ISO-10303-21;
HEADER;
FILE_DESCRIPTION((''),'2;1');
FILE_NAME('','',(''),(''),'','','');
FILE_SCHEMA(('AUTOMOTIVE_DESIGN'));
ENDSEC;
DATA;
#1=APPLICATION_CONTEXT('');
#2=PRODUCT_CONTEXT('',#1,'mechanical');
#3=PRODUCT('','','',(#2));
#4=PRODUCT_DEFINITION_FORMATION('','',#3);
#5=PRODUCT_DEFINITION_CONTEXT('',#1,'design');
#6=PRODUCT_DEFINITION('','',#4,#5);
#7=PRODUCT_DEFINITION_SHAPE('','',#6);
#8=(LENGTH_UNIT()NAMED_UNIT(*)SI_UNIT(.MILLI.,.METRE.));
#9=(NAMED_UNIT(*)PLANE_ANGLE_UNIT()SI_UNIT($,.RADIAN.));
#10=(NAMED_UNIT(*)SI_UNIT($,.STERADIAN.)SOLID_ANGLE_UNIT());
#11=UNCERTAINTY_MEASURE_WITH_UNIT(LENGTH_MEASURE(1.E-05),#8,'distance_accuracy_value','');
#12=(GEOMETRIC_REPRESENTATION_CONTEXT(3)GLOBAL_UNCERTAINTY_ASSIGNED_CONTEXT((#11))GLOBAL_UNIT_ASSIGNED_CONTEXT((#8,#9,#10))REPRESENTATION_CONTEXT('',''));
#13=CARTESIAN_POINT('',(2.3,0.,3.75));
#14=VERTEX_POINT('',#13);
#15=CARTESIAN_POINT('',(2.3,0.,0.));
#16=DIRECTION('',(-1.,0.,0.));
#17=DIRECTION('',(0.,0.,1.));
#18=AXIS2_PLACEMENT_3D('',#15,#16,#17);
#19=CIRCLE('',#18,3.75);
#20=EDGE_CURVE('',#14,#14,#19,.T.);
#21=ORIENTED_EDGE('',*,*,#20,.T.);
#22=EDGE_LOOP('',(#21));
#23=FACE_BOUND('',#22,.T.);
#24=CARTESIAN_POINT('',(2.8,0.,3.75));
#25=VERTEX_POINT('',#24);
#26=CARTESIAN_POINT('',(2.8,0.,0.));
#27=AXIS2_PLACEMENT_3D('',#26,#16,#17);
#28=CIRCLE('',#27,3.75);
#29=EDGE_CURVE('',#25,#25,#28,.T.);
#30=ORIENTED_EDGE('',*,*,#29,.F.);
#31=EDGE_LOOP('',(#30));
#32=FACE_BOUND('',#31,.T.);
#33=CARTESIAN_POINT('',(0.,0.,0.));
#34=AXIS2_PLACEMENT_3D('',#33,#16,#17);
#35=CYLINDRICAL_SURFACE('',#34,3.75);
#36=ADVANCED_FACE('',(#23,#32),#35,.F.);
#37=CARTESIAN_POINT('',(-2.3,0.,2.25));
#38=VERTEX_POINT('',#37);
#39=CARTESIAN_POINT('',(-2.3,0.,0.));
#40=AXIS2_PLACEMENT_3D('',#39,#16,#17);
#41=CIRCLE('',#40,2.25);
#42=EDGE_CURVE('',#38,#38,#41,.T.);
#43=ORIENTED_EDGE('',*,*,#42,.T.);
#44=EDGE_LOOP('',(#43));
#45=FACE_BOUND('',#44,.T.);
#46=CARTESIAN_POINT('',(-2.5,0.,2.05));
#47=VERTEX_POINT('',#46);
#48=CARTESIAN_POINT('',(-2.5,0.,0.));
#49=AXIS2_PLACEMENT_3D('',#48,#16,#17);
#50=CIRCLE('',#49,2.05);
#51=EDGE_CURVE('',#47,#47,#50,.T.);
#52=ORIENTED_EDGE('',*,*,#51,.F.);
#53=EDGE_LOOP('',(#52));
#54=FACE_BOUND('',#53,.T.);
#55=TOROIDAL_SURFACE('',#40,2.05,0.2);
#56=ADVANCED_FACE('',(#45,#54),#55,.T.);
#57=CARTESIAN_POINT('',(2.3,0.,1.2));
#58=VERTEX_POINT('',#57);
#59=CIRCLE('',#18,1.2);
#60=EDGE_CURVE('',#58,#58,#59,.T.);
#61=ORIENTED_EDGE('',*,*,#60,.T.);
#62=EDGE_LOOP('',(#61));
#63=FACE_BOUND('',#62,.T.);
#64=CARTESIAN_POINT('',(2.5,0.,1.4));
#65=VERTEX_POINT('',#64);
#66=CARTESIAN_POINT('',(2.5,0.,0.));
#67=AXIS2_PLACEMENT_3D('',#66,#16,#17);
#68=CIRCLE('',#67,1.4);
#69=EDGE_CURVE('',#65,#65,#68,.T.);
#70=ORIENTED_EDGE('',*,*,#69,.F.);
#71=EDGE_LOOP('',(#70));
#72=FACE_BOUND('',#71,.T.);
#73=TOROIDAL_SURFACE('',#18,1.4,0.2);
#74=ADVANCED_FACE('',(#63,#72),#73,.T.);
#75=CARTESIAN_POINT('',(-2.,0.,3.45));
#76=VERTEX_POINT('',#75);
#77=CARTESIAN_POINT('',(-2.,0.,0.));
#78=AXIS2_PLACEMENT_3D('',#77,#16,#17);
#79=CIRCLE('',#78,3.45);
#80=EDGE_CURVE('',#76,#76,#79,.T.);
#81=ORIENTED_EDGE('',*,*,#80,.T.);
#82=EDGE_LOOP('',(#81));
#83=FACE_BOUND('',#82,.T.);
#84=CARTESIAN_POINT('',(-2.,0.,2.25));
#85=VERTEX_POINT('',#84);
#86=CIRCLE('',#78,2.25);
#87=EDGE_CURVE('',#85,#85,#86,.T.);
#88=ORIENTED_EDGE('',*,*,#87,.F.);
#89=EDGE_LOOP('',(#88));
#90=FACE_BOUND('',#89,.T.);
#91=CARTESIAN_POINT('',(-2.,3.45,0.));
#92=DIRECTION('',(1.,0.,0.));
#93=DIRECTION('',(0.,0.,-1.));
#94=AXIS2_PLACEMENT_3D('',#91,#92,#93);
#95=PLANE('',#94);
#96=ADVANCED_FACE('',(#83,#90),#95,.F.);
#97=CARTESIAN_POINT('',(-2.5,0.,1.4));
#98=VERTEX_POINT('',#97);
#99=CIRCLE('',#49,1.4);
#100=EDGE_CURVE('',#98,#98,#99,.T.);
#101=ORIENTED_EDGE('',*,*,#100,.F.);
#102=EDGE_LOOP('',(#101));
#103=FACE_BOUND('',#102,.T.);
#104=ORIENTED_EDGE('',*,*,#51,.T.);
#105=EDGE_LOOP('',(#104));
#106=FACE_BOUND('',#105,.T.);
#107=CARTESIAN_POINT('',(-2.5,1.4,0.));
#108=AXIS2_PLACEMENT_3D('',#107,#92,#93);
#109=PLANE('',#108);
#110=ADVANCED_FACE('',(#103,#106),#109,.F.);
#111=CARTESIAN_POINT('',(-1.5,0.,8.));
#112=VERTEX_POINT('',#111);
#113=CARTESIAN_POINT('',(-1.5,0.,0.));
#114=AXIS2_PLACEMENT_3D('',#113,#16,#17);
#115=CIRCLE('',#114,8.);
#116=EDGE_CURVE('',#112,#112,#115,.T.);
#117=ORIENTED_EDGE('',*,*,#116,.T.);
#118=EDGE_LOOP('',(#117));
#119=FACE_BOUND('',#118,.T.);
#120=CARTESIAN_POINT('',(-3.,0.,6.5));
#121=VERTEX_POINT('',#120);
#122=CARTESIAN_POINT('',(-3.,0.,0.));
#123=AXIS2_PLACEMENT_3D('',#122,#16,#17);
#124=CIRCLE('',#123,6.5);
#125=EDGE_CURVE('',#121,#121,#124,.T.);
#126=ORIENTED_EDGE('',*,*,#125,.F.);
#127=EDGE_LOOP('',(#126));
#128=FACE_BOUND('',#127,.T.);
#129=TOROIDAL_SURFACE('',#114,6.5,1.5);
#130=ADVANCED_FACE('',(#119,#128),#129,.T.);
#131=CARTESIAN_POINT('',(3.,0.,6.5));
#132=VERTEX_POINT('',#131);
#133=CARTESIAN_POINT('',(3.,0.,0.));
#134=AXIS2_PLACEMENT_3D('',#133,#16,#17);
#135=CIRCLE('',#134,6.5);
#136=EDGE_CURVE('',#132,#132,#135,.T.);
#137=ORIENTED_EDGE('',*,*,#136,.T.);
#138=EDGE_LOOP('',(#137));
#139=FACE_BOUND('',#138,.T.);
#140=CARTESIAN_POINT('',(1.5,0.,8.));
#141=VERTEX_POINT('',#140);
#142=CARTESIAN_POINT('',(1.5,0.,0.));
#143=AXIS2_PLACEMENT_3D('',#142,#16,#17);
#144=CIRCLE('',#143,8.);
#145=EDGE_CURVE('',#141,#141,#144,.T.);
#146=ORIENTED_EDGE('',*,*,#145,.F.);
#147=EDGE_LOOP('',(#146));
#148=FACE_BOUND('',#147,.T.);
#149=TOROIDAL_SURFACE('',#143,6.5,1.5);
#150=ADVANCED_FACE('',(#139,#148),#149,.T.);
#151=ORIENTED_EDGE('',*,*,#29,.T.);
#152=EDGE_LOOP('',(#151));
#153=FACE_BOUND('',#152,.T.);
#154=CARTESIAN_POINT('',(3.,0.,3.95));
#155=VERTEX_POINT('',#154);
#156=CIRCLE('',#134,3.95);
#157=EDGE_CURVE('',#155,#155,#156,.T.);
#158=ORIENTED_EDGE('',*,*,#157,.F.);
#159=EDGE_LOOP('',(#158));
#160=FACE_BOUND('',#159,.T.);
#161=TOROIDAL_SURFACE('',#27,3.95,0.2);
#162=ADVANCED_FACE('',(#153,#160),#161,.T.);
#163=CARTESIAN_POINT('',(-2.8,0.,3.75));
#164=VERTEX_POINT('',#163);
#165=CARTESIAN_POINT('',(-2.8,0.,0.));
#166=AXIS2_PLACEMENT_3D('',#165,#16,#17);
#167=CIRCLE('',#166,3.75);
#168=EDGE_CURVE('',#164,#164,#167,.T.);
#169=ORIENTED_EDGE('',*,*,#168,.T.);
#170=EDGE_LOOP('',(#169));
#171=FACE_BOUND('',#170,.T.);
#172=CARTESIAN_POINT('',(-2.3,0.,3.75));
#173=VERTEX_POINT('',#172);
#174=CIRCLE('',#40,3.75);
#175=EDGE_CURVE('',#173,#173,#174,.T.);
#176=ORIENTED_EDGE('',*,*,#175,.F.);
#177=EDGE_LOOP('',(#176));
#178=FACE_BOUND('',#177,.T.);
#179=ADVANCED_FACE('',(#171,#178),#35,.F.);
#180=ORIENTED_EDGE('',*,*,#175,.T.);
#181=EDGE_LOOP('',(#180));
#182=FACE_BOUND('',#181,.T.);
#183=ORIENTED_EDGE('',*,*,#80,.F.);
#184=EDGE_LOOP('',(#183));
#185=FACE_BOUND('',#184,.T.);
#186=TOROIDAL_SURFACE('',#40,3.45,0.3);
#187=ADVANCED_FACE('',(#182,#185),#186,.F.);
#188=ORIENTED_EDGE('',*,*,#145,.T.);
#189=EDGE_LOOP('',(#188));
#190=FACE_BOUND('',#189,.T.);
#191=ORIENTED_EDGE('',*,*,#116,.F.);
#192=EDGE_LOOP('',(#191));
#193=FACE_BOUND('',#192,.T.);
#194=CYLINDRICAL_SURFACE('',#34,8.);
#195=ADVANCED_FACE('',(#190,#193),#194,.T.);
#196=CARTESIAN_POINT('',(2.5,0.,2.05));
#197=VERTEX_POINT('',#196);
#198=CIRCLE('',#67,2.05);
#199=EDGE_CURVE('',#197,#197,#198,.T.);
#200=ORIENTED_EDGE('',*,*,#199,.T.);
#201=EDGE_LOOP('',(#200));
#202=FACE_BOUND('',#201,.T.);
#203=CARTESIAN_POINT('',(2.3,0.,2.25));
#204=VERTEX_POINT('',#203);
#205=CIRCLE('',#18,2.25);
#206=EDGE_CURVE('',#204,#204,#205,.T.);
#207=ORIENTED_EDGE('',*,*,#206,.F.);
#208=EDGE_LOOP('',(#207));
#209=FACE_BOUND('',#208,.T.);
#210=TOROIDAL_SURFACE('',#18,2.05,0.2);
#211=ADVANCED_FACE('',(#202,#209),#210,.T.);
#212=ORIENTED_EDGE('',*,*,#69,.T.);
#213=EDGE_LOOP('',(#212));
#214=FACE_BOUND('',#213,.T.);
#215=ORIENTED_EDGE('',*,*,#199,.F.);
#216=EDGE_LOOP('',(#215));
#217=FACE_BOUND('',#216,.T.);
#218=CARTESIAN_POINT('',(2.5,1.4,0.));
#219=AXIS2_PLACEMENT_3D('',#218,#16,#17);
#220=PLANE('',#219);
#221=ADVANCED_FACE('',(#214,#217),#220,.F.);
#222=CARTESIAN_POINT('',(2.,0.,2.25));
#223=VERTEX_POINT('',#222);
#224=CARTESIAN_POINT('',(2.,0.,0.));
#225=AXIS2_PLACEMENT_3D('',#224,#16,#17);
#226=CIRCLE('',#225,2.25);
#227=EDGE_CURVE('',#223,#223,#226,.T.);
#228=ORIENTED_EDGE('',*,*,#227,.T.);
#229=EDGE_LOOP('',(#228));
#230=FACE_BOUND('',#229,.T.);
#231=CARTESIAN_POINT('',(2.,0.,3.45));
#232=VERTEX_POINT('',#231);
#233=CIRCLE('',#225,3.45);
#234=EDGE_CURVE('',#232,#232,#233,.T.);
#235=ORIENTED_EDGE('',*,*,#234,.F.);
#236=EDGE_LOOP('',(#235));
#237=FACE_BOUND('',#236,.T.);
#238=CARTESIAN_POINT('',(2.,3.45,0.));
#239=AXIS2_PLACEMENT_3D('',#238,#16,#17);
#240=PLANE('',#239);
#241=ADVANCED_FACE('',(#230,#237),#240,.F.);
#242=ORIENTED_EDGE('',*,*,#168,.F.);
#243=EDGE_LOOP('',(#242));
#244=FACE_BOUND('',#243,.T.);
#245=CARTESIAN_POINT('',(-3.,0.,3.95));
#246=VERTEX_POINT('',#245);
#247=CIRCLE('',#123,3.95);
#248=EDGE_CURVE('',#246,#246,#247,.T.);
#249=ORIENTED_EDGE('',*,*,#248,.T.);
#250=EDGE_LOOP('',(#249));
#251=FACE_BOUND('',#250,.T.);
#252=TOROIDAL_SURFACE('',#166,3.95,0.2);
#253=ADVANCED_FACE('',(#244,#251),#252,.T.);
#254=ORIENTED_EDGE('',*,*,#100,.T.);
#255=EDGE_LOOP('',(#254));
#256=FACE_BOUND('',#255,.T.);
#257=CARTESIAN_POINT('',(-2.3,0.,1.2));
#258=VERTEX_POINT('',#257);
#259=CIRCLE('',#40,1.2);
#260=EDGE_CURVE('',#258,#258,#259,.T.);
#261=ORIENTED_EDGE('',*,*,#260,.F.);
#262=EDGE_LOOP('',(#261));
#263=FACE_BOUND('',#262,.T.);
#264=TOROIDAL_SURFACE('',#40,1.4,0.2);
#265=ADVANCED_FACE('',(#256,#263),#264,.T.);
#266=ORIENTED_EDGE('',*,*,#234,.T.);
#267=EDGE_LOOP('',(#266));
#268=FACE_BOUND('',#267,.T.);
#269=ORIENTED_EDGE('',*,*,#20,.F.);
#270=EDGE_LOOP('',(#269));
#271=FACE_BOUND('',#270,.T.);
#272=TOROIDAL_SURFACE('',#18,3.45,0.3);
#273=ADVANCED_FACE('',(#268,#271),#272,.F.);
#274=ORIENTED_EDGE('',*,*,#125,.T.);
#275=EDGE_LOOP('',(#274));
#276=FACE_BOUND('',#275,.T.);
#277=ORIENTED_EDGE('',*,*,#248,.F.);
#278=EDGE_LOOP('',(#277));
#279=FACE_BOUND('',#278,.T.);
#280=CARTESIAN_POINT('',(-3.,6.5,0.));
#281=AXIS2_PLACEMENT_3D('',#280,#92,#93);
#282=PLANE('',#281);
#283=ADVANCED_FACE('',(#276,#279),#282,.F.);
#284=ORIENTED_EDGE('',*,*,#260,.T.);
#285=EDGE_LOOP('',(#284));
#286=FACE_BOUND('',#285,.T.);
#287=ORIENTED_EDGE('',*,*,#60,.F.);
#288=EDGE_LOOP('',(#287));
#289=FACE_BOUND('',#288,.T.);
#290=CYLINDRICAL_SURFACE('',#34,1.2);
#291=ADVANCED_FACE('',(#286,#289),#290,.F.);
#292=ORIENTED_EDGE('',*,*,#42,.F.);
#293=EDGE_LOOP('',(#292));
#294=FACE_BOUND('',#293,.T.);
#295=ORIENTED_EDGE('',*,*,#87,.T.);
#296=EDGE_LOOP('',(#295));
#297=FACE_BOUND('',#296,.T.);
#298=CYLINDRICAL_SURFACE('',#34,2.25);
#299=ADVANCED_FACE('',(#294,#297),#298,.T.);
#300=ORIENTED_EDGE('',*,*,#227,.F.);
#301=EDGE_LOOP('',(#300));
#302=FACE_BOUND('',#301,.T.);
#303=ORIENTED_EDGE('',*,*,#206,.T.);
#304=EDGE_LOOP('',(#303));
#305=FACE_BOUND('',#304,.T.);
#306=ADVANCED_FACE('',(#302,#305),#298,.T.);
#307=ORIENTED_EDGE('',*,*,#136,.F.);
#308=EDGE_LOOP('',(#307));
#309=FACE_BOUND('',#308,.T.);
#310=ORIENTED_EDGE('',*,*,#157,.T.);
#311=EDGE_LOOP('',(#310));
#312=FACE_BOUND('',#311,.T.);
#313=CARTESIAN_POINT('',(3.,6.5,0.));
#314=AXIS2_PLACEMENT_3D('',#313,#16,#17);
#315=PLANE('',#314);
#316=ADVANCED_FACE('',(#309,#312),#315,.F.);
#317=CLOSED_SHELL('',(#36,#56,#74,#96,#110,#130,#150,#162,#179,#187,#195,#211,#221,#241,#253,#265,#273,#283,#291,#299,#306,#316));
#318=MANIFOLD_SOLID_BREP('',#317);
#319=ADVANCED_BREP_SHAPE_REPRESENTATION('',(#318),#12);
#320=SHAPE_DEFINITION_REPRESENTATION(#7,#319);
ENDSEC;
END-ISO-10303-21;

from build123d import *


with BuildPart() as part:
    # Esboço2 → Revolução1 (revolve)
    with BuildSketch(Plane.XY, mode=Mode.PRIVATE) as revolu_o1_sk:
        with BuildLine():
            Line((-2.3, 1.2), (2.3, 1.2))
            ThreePointArc((2.3, 1.2), (2.441421356, 1.258578644), (2.5, 1.4))
            Line((2.5, 1.4), (2.5, 2.05))
            ThreePointArc((2.5, 2.05), (2.441421356, 2.191421356), (2.3, 2.25))
            Line((2.3, 2.25), (2, 2.25))
            Line((2, 2.25), (2, 3.45))
            ThreePointArc((2, 3.45), (2.087867966, 3.662132034), (2.3, 3.75))
            Line((2.3, 3.75), (2.8, 3.75))
            ThreePointArc((2.8, 3.75), (2.941421356, 3.808578644), (3, 3.95))
            Line((3, 3.95), (3, 6.5))
            ThreePointArc((3, 6.5), (2.560660172, 7.560660172), (1.5, 8))
            Line((1.5, 8), (-1.5, 8))
            ThreePointArc((-1.5, 8), (-2.560660172, 7.560660172), (-3, 6.5))
            Line((-3, 6.5), (-3, 3.95))
            ThreePointArc((-3, 3.95), (-2.941421356, 3.808578644), (-2.8, 3.75))
            Line((-2.8, 3.75), (-2.3, 3.75))
            ThreePointArc((-2.3, 3.75), (-2.087867966, 3.662132034), (-2, 3.45))
            Line((-2, 3.45), (-2, 2.25))
            Line((-2, 2.25), (-2.3, 2.25))
            ThreePointArc((-2.3, 2.25), (-2.441421356, 2.191421356), (-2.5, 2.05))
            Line((-2.5, 2.05), (-2.5, 1.4))
            ThreePointArc((-2.5, 1.4), (-2.441421356, 1.258578644), (-2.3, 1.2))
        make_face()
    revolve(revolu_o1_sk.sketch.rotate(Axis((0, 0, 0), (1, 0, 0)), 90), axis=Axis((0, 0, 0), (1, 0, 0)))


solid = part.part
